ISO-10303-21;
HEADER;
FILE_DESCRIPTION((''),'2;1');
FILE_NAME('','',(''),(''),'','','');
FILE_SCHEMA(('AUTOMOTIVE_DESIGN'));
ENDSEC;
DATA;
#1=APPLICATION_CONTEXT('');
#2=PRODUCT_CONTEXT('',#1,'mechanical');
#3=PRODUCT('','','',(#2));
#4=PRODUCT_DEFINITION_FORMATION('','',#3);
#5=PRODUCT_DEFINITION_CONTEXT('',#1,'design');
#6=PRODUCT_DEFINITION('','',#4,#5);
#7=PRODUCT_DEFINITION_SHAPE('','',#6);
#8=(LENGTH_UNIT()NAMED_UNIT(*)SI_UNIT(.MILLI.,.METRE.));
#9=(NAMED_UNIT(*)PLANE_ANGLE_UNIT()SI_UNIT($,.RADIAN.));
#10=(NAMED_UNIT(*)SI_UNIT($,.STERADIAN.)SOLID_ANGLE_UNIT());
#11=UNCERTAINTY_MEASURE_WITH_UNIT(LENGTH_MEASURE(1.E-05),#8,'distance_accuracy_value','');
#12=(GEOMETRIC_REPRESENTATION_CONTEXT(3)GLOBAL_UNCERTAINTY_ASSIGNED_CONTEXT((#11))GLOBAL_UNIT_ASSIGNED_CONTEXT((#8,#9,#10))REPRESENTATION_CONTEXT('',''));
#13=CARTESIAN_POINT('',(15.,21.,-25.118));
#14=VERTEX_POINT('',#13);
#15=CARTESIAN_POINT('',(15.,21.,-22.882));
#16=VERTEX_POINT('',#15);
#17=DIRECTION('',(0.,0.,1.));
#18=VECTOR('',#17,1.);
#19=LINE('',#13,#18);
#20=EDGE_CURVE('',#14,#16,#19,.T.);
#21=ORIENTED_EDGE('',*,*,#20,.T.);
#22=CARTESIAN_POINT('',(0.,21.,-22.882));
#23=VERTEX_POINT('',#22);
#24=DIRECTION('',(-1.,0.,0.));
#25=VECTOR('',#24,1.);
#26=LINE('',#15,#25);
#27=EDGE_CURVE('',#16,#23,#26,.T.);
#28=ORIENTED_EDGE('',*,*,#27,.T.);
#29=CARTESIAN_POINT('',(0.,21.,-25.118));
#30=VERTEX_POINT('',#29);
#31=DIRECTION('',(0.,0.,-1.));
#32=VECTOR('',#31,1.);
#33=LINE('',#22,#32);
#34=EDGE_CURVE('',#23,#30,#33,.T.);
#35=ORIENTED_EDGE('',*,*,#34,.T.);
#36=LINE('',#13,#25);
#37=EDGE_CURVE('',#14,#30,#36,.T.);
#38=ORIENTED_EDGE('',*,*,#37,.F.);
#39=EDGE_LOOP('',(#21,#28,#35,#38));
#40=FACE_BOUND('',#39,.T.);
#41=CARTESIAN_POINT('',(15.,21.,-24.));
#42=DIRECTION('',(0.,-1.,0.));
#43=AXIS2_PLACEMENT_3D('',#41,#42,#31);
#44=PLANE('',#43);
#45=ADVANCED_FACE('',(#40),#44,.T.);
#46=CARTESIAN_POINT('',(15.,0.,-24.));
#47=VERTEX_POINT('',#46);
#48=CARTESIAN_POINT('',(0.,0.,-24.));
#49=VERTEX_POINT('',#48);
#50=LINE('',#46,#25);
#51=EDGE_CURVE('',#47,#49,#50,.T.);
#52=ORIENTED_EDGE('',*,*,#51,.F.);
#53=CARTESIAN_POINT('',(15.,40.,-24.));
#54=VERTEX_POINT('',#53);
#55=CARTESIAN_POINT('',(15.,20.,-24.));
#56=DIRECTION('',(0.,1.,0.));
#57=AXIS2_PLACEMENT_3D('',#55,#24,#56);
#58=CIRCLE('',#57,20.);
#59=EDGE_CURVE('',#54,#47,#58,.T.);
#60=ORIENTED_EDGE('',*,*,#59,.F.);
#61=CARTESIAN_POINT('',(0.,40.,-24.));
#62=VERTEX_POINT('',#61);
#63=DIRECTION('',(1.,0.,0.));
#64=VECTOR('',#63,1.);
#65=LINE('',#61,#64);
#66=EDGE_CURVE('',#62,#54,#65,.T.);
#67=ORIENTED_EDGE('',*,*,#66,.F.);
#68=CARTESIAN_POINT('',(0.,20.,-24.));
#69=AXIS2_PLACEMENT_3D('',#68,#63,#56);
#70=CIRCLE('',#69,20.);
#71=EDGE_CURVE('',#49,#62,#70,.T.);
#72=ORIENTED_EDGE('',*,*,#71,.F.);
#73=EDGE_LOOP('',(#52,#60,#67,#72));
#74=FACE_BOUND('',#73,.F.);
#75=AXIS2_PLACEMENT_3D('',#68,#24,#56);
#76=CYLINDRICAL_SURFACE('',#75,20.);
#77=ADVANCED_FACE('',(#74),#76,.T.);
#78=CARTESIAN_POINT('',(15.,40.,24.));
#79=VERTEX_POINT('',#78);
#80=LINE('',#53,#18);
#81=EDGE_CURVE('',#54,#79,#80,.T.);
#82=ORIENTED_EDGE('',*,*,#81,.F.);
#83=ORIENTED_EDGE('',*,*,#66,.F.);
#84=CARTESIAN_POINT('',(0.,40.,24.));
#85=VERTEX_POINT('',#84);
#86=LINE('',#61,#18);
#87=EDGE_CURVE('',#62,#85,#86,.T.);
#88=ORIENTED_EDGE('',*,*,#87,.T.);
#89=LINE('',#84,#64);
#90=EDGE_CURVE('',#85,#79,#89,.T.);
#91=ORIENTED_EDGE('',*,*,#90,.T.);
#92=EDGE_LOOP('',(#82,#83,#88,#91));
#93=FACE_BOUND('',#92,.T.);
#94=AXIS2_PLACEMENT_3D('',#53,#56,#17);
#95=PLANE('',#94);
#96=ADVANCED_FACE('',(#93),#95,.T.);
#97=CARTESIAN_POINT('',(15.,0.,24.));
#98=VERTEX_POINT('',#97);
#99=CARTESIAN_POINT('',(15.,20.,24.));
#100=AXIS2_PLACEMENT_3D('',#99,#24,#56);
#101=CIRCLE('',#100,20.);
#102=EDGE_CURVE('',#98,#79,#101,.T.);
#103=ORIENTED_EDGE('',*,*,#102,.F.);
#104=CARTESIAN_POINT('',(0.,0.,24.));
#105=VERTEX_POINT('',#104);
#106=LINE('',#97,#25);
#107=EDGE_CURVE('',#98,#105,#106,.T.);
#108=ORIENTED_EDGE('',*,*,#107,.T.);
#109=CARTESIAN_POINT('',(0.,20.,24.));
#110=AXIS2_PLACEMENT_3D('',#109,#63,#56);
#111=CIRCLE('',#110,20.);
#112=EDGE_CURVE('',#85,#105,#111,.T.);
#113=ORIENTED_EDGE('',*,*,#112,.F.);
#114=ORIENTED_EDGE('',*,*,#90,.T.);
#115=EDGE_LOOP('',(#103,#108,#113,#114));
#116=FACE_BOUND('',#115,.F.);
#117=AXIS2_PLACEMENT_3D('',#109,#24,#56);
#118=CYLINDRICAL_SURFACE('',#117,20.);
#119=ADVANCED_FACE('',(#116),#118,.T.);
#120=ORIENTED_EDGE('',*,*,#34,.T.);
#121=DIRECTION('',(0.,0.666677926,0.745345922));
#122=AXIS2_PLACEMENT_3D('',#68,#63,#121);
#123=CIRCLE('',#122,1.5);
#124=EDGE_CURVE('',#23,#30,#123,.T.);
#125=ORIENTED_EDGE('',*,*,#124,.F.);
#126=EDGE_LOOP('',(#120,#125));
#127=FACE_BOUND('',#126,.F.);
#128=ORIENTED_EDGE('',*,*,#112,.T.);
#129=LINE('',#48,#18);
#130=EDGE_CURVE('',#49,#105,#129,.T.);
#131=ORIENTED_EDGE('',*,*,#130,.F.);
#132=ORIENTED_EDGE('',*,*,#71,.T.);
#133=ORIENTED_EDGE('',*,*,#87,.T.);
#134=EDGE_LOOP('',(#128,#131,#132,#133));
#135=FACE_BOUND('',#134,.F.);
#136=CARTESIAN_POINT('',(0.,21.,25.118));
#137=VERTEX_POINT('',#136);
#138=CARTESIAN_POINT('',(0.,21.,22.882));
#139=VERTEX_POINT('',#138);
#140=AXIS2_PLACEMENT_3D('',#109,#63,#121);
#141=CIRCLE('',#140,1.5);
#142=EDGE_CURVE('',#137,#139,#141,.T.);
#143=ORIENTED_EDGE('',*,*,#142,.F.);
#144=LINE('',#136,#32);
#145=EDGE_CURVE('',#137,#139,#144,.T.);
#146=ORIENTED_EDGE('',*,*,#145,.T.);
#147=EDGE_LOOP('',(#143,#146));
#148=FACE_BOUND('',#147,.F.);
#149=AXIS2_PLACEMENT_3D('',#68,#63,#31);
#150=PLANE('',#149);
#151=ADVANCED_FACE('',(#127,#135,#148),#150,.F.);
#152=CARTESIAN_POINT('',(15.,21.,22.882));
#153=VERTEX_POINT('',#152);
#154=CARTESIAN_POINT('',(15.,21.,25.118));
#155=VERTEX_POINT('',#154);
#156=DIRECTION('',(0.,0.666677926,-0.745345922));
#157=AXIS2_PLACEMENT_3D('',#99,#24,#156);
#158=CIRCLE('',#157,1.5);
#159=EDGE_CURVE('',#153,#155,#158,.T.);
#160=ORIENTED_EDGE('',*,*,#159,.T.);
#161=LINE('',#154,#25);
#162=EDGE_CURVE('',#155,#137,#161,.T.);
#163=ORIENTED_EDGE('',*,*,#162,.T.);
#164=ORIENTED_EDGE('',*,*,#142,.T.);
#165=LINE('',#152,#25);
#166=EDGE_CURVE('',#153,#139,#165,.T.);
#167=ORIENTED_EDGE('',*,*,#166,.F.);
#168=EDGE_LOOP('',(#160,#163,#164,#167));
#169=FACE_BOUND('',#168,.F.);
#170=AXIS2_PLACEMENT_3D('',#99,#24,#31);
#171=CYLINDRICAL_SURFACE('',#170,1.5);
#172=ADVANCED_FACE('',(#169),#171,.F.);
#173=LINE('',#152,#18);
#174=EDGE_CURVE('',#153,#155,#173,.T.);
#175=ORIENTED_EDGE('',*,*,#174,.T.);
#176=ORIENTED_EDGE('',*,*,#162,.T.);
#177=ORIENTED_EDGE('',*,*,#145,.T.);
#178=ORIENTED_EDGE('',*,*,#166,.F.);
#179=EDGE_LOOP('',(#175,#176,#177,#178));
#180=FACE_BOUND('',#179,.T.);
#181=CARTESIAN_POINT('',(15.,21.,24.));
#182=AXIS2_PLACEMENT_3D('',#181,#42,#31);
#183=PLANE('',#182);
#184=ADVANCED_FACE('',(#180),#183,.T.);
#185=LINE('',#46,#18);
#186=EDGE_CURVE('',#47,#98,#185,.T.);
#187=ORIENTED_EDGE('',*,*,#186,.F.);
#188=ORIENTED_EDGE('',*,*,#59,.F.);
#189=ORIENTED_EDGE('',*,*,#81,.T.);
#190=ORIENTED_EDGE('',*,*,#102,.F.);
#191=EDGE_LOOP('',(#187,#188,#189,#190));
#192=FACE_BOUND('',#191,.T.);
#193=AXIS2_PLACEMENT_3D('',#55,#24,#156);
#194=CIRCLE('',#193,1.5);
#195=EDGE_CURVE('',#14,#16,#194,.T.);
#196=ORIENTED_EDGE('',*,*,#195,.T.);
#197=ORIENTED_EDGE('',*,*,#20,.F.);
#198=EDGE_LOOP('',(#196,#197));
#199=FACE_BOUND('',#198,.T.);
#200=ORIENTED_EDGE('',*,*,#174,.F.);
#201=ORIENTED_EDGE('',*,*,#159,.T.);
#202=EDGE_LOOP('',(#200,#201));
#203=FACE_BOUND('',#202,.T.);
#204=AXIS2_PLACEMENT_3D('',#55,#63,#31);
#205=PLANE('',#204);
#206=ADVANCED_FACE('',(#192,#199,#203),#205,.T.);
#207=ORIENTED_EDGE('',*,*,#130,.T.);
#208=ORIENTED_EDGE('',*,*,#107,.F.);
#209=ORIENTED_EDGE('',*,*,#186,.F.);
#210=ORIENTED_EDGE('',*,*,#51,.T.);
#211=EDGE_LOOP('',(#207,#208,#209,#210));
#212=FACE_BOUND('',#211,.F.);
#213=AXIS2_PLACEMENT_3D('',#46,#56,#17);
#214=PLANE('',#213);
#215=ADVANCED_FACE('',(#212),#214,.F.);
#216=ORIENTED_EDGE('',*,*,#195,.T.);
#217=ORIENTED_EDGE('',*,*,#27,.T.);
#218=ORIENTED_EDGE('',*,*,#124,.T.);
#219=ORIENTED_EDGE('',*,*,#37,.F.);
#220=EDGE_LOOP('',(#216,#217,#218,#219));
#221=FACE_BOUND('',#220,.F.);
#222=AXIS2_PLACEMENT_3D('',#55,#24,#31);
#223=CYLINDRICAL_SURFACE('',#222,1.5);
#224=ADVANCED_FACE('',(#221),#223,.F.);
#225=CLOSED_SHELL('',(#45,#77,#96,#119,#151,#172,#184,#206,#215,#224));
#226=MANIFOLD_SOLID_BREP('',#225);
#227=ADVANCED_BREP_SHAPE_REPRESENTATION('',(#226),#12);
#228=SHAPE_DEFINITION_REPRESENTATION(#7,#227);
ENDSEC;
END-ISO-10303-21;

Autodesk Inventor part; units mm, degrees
ref_plane "YZ Plane" through (0, 0, 0) normal (1, 0, 0) x (0, 1, 0)
ref_plane "XZ Plane" through (0, 0, 0) normal (0, 1, 0) x (-1, 0, 0)
ref_plane "XY Plane" through (0, 0, 0) normal (0, 0, 1) x (1, 0, 0)
sketch "Szkic1" plane through (0, 0, 0) normal (1, 0, 0) x (0, 1, 0)
  line L0 (0, -24) -> (0, 24)
  circle A0 centre (20, 24) radius 20
  circle A1 centre (20, -24) radius 20
  line L1 (40, 24) -> (40, -24)
  line L2 (0, -24) -> (0, 24)
  point P0 (0, 0)
  dimension "d0" = 24
  dimension "d1" = 48
  dimension "d2" = 40
extrude "Wyciągnięcie proste1" add sketch "Szkic1" along normal blind 15 contours A1 | A0
sketch "Szkic2" plane through (15, 20, -24) normal (1, 0, 0) x (0, 0, -1)
  circle A0 centre (0, 0) radius 20 projected
  line L0 (0, -20) -> (-48, -20)
  circle A1 centre (-48, 0) radius 20 projected
  line L1 (0, 20) -> (-48, 20)
  line L2 (-48, 20) -> (-48, -20)
  line L3 (0, 20) -> (0, -20)
  point P0 (-24, -20)
extrude "Wyciągnięcie proste2" add sketch "Szkic2" against normal blind 15 contours A0 L0 A1 L1
sketch "Szkic3" plane through (15, 0, 0) normal (1, 0, 0) x (0, 0, -1)
  line L0 (0, 0) -> (0, 20)
  line L1 (-24, 40) -> (24, 40) projected
  line L2 (0, 20) -> (24, 20)
  line L3 (24, 20) -> (-24, 20)
  arc A0 (22.882, 21) -> (25.118, 21) centre (24, 20) ccw
  arc A1 (-25.118, 21) -> (-22.882, 21) centre (-24, 20) ccw
  line L4 (-24, 18.5) -> (-24, 21)
  line L5 (-24, 21) -> (-22.882, 21)
  line L6 (-24, 21) -> (-25.118, 21)
  line L7 (24, 18.5) -> (24, 21)
  line L8 (24, 21) -> (25.118, 21)
  line L9 (24, 21) -> (22.882, 21)
  dimension "d7" = 20
  dimension "d8" = 24
  dimension "d9" = 48
  dimension "d10" = 3
  dimension "d11" = 3
  dimension "d12" = 2.5
  dimension "d13" = 2.5
hole "Otwór1" at (15, 20, 24) direction (-1, 0, 0) diameter 3 end through all
sketch "Szkic4" plane through (15, 0, 0) normal (1, 0, 0) x (0, 0, -1)
  circle A0 centre (-24, 20) radius 1.5 projected
  line L0 (-24, 20) -> (24, 20)
  point P0 (0, 0)
  dimension "d21" = 48
hole "Otwór2" at (15, 20, -24) direction (-1, 0, 0) diameter 3 end through all
sketch "Szkic5" plane through (15, 0, 0) normal (1, 0, 0) x (0, 0, -1)
  circle A0 centre (-24, 20) radius 1.5 projected
  line L0 (-24, 18.5) -> (-24, 21)
  line L1 (-24, 21) -> (-22.882, 21)
  line L2 (-24, 21) -> (-25.118, 21)
  circle A1 centre (24, 20) radius 1.5 projected
  line L3 (24, 18.5) -> (24, 21)
  line L4 (24, 21) -> (25.118, 21)
  line L5 (24, 21) -> (22.882, 21)
  point P0 (0, 0)
  dimension "d29" = 2.5
  dimension "d30" = 2.5
extrude "Wyciągnięcie proste3" add sketch "Szkic5" against normal blind 15 contours L1 L2 A0 | L4 L5 A1
properties part number "gasienice"
